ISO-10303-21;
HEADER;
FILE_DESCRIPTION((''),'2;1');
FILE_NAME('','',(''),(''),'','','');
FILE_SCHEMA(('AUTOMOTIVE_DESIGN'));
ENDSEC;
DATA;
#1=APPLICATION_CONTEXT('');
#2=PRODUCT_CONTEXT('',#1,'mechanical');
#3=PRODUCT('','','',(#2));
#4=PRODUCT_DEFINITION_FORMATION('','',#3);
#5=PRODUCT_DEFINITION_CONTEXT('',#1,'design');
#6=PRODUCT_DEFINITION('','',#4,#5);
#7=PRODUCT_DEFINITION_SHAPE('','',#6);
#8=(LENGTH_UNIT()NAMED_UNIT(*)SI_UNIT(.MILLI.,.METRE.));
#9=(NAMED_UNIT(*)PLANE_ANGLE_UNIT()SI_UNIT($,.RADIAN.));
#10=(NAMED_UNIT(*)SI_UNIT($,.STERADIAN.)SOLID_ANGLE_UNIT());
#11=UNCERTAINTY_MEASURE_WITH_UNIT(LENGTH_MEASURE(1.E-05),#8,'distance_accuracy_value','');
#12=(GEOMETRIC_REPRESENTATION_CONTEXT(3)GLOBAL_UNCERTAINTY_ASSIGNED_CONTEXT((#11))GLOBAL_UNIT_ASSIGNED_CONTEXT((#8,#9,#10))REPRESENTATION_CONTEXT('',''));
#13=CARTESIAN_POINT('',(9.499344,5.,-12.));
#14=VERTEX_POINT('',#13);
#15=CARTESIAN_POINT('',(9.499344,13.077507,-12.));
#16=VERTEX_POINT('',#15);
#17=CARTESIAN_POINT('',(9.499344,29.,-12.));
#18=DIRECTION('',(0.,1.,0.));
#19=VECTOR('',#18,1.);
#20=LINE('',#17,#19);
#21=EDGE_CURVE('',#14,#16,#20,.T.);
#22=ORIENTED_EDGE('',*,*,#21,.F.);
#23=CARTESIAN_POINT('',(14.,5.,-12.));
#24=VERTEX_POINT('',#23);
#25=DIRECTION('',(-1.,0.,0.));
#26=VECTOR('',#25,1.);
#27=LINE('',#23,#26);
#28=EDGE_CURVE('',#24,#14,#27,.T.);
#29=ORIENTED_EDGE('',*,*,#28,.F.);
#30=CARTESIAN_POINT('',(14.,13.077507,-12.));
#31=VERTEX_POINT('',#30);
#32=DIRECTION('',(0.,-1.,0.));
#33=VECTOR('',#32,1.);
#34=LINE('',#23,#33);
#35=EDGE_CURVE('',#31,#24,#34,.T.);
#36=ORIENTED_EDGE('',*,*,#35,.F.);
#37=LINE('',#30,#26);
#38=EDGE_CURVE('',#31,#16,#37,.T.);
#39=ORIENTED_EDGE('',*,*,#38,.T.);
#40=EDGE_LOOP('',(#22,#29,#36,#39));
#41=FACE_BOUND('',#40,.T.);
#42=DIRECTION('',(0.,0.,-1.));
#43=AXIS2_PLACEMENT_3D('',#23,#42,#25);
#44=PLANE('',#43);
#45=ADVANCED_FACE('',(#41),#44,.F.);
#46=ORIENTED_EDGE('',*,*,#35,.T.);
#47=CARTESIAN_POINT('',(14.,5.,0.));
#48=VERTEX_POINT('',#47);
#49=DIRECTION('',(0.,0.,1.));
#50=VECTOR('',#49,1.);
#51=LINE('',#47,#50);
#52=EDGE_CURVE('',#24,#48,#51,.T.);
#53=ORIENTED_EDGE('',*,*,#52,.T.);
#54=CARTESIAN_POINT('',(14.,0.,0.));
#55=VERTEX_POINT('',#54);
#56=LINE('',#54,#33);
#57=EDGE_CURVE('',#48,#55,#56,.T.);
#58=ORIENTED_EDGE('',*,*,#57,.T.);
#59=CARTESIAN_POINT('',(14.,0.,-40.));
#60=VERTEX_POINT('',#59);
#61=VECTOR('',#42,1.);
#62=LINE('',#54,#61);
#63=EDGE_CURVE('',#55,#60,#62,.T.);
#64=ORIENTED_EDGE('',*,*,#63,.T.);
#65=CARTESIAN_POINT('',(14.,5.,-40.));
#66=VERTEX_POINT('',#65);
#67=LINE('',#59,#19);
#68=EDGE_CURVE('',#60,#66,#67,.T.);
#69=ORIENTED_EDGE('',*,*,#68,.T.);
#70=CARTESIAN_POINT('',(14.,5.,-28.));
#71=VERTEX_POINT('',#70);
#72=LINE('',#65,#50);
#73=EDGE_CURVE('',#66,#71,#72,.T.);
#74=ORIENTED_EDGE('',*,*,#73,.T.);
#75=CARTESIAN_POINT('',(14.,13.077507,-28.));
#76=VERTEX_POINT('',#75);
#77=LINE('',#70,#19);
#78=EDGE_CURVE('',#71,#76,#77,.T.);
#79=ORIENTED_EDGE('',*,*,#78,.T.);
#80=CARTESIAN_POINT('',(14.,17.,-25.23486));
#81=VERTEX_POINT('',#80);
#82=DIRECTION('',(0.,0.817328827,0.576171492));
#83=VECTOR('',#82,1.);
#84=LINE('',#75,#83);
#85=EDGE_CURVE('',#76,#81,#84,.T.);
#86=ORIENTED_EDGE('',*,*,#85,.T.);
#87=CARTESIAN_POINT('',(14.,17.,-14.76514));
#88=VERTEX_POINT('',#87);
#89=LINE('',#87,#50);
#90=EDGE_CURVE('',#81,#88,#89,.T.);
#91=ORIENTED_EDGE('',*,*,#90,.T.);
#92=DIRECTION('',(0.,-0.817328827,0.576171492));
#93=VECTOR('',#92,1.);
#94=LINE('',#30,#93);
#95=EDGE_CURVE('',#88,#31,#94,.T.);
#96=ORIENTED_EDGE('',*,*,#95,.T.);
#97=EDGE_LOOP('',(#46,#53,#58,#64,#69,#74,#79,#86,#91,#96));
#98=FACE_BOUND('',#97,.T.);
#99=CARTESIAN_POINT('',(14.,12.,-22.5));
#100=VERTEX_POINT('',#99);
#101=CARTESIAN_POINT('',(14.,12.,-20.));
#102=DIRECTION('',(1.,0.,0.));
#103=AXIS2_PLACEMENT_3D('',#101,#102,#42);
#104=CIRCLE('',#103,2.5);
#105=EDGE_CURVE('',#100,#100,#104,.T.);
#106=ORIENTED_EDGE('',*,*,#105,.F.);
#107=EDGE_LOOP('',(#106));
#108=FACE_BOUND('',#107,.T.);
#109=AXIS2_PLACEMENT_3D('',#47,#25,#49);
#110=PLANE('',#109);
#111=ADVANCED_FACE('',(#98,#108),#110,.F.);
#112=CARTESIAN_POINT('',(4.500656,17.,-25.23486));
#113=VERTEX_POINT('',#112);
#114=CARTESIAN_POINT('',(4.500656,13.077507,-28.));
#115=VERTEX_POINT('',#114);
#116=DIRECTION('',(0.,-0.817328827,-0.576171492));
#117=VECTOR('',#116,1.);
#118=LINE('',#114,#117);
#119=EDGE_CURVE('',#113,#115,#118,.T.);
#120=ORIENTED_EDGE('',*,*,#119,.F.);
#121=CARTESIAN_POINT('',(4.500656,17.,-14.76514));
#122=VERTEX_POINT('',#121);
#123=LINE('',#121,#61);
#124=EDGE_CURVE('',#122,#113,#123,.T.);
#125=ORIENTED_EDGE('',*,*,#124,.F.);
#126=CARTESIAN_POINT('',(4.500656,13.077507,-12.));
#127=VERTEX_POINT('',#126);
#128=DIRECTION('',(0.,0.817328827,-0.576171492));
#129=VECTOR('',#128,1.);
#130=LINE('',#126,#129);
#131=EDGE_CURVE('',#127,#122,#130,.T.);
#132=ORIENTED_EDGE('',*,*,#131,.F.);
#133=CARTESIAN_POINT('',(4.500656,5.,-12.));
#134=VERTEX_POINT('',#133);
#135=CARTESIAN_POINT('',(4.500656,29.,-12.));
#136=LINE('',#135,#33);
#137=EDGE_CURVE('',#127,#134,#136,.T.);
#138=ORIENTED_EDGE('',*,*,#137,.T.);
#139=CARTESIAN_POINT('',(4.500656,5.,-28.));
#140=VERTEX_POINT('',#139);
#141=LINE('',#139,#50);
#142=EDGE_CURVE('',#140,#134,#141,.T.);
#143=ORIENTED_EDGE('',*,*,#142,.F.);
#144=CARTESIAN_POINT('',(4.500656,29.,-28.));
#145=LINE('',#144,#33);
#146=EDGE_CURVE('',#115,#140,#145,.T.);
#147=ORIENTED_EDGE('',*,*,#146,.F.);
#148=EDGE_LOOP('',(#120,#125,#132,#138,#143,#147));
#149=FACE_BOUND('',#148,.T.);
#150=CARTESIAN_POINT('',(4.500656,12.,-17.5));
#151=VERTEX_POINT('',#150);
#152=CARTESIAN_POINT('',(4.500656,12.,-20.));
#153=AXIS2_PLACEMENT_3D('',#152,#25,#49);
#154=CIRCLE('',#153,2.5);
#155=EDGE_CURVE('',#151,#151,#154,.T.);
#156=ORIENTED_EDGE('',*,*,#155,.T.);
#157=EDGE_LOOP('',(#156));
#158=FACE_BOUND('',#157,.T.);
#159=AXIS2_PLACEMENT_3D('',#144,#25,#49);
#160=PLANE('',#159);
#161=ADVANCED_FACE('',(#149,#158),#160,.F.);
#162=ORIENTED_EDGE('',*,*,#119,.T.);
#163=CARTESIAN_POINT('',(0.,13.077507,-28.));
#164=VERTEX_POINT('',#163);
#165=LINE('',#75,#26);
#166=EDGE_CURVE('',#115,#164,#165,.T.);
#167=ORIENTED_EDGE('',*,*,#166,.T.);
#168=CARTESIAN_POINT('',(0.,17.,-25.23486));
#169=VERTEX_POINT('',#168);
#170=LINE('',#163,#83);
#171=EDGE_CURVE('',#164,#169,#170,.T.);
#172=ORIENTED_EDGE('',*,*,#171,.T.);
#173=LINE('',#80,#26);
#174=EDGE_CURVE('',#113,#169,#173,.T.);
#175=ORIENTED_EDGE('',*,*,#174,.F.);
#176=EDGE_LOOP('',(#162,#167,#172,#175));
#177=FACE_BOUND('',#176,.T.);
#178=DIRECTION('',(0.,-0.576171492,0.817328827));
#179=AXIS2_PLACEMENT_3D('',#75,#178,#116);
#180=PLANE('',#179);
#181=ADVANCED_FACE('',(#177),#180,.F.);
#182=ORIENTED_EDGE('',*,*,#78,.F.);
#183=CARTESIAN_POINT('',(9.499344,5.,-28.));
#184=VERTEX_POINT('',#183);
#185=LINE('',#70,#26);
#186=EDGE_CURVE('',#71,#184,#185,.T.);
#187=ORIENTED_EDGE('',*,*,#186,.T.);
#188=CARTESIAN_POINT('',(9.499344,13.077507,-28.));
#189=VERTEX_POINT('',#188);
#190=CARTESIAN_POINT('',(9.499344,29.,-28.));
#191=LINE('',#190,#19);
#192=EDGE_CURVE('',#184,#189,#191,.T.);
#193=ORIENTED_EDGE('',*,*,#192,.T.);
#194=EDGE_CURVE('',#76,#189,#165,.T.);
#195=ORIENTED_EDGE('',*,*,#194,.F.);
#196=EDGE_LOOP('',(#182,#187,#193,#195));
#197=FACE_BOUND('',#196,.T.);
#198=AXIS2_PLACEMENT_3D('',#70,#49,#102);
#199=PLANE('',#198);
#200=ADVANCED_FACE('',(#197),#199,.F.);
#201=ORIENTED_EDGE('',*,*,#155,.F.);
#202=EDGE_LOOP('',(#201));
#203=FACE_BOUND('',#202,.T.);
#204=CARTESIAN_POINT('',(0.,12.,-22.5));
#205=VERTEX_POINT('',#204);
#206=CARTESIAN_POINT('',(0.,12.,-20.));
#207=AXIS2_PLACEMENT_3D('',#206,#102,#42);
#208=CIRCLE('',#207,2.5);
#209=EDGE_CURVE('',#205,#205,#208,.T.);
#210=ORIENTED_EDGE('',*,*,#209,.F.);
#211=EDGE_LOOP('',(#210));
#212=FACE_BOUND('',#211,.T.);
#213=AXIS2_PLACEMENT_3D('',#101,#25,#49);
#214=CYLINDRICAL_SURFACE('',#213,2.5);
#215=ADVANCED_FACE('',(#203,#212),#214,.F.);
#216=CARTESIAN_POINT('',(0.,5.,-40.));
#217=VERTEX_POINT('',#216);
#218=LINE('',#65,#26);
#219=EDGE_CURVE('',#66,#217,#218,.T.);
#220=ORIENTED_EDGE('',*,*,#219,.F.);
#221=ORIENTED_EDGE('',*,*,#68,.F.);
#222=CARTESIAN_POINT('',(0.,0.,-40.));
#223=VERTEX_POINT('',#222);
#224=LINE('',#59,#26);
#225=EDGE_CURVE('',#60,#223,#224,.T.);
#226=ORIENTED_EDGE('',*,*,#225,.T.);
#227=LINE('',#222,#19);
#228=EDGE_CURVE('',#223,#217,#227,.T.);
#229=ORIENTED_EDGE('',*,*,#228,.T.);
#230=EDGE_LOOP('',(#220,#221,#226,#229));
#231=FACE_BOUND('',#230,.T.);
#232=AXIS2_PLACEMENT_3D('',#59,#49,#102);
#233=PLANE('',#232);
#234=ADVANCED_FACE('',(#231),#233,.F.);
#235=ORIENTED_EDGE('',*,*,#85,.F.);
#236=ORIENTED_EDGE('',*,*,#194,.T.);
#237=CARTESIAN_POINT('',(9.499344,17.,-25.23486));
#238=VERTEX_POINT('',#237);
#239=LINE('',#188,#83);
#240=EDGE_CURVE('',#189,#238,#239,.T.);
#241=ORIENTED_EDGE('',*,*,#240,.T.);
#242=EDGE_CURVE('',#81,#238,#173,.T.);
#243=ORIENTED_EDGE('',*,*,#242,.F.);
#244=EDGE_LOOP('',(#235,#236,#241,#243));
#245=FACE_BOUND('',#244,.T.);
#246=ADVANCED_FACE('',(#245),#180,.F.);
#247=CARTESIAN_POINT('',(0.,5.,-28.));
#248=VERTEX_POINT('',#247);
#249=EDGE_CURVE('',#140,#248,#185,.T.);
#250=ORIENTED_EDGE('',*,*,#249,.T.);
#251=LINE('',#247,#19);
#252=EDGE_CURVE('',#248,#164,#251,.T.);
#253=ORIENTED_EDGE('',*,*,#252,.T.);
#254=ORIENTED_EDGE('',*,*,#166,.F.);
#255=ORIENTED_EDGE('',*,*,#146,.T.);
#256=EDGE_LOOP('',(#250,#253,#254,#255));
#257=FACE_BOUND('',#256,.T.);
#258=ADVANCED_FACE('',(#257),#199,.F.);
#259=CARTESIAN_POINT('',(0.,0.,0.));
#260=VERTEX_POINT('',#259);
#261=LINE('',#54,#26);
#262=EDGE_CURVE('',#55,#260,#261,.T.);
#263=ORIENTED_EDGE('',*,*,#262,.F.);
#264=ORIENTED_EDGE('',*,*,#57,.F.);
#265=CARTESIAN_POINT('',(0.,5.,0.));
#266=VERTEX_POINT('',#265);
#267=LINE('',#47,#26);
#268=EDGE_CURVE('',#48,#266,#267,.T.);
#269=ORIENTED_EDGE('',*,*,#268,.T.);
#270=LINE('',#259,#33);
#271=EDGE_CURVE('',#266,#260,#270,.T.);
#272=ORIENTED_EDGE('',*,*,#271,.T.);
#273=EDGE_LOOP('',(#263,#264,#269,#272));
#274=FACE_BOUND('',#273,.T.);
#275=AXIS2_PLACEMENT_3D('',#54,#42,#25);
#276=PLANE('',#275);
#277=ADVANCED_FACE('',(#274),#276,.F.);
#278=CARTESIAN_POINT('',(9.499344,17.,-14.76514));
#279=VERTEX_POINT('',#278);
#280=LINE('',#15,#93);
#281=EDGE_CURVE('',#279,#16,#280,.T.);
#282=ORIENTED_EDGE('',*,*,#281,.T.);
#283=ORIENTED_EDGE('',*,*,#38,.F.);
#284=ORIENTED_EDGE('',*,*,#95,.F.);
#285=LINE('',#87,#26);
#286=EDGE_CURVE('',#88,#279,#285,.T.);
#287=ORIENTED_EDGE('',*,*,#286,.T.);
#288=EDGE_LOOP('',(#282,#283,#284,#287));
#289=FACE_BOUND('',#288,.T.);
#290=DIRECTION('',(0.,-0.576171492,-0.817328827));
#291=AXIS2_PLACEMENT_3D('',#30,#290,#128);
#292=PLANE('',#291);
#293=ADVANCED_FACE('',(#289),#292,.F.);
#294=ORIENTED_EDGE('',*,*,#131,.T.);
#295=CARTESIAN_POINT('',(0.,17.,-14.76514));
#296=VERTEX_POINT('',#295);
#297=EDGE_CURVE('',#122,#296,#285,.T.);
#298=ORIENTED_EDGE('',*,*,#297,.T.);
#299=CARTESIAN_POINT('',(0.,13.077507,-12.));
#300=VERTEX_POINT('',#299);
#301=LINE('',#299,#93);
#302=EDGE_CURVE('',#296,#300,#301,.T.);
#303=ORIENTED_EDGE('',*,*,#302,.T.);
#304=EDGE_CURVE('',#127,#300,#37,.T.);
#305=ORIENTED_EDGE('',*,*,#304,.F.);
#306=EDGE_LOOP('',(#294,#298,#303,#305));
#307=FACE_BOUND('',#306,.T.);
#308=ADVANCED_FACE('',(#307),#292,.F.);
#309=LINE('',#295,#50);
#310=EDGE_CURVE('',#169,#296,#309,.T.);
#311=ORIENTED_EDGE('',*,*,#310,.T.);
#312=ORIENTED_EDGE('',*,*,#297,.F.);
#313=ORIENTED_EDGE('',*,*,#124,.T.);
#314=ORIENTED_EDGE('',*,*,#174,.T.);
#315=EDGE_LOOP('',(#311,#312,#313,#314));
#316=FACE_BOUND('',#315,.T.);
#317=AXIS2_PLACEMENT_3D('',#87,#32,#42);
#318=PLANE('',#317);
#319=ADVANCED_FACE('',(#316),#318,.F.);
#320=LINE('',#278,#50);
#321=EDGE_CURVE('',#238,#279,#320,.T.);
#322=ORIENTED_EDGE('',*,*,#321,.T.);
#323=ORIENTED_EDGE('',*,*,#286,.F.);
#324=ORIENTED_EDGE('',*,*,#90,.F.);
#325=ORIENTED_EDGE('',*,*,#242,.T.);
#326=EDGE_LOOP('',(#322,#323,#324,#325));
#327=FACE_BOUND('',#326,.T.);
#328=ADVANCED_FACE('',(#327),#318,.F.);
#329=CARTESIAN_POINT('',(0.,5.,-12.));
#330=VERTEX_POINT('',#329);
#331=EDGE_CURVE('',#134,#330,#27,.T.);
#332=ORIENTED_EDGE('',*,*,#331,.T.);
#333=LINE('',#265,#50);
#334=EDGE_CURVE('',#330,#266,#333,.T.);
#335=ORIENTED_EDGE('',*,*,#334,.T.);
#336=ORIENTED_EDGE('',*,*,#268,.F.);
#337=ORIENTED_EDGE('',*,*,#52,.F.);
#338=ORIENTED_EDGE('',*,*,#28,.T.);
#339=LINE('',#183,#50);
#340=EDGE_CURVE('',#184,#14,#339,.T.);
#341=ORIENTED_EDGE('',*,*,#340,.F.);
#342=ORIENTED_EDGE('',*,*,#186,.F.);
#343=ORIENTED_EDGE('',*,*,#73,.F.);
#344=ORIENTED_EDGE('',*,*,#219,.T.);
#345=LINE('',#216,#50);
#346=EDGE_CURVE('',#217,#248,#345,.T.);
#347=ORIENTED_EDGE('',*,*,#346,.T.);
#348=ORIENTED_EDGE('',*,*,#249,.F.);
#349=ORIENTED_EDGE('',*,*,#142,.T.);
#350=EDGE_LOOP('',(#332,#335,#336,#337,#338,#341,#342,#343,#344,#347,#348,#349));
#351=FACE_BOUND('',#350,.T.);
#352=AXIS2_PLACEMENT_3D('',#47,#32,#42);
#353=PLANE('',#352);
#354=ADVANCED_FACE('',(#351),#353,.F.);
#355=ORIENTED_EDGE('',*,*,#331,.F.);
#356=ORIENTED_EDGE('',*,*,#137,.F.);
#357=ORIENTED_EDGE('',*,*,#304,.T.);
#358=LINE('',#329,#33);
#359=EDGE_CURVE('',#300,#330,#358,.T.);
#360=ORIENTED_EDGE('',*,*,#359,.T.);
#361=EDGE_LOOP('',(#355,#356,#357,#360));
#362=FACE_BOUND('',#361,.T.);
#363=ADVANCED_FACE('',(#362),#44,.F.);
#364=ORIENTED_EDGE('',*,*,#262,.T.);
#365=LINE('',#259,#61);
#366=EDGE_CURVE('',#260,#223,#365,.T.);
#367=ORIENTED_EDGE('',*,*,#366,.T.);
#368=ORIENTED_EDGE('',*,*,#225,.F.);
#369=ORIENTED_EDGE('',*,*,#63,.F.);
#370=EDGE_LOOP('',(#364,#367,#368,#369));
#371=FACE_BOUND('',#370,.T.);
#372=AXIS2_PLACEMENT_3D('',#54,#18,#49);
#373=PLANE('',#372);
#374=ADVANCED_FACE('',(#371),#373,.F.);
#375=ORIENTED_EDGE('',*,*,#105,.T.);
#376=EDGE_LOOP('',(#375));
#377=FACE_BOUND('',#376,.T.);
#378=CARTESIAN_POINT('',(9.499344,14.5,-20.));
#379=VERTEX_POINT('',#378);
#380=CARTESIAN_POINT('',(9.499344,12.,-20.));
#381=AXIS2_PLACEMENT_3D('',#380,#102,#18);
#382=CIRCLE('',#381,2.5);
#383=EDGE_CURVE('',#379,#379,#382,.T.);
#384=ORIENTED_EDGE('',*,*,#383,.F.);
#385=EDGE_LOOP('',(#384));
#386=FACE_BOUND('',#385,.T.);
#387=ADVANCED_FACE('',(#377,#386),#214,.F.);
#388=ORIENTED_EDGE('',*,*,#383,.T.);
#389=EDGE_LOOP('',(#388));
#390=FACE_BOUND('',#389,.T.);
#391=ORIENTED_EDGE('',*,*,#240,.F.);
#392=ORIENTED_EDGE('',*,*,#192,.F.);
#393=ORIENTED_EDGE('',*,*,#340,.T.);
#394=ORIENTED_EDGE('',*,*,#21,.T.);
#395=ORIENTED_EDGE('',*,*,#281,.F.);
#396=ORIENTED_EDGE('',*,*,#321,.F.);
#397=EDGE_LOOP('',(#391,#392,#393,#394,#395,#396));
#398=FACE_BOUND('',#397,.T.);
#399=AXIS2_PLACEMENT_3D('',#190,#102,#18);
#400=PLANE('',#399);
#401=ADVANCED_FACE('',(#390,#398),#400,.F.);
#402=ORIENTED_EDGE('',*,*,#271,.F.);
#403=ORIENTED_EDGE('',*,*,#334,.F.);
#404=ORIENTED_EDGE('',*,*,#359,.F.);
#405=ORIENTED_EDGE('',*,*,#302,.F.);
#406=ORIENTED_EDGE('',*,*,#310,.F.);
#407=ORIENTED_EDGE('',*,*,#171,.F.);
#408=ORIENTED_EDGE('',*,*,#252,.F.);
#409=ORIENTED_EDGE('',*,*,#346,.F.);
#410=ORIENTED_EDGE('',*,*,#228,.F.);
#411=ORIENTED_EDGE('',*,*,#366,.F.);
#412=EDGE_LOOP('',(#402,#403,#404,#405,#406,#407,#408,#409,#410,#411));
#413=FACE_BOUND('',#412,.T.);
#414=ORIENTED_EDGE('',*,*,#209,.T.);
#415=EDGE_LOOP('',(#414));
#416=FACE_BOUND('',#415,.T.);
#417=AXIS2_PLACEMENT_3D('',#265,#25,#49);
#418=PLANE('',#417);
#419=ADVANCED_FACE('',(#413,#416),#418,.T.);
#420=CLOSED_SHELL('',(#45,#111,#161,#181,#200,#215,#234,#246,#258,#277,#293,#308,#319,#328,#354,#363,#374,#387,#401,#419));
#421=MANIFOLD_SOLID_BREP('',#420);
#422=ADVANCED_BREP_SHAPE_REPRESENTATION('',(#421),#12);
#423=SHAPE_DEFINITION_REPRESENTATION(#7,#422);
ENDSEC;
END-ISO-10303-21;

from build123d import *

# Parameters (mm, degrees)
SKETCH_2_R          = 2.5
EXTRUDE_1_DEPTH     = 14
SKETCH_3_W          = 4.998687722
SKETCH_3_H          = 24
CUT_EXTRUDE_2_DEPTH = 16


with BuildPart() as part:
    # Эскиз2 → Вытянуть1 (new body)
    with BuildSketch(Plane(origin=(0, 0, 0), x_dir=(0, 0, -1), z_dir=(1, 0, 0))):
        Polygon((0, 0), (40, 0), (40, 5), (28, 5), (28, 13.077507284), (25.234860189, 17), (14.765139811, 17), (12, 13.077507284), (12, 5), (0, 5), align=None)
        with Locations((20, 12)):
            Circle(SKETCH_2_R, mode=Mode.SUBTRACT)
    extrude(amount=EXTRUDE_1_DEPTH)

    # Эскиз3 → Вытянуть2 (cut)
    with BuildSketch(Plane.XY.offset(-12)):
        with Locations((7, 17)):
            Rectangle(SKETCH_3_W, SKETCH_3_H)
    extrude(amount=-CUT_EXTRUDE_2_DEPTH, mode=Mode.SUBTRACT)


solid = part.part
